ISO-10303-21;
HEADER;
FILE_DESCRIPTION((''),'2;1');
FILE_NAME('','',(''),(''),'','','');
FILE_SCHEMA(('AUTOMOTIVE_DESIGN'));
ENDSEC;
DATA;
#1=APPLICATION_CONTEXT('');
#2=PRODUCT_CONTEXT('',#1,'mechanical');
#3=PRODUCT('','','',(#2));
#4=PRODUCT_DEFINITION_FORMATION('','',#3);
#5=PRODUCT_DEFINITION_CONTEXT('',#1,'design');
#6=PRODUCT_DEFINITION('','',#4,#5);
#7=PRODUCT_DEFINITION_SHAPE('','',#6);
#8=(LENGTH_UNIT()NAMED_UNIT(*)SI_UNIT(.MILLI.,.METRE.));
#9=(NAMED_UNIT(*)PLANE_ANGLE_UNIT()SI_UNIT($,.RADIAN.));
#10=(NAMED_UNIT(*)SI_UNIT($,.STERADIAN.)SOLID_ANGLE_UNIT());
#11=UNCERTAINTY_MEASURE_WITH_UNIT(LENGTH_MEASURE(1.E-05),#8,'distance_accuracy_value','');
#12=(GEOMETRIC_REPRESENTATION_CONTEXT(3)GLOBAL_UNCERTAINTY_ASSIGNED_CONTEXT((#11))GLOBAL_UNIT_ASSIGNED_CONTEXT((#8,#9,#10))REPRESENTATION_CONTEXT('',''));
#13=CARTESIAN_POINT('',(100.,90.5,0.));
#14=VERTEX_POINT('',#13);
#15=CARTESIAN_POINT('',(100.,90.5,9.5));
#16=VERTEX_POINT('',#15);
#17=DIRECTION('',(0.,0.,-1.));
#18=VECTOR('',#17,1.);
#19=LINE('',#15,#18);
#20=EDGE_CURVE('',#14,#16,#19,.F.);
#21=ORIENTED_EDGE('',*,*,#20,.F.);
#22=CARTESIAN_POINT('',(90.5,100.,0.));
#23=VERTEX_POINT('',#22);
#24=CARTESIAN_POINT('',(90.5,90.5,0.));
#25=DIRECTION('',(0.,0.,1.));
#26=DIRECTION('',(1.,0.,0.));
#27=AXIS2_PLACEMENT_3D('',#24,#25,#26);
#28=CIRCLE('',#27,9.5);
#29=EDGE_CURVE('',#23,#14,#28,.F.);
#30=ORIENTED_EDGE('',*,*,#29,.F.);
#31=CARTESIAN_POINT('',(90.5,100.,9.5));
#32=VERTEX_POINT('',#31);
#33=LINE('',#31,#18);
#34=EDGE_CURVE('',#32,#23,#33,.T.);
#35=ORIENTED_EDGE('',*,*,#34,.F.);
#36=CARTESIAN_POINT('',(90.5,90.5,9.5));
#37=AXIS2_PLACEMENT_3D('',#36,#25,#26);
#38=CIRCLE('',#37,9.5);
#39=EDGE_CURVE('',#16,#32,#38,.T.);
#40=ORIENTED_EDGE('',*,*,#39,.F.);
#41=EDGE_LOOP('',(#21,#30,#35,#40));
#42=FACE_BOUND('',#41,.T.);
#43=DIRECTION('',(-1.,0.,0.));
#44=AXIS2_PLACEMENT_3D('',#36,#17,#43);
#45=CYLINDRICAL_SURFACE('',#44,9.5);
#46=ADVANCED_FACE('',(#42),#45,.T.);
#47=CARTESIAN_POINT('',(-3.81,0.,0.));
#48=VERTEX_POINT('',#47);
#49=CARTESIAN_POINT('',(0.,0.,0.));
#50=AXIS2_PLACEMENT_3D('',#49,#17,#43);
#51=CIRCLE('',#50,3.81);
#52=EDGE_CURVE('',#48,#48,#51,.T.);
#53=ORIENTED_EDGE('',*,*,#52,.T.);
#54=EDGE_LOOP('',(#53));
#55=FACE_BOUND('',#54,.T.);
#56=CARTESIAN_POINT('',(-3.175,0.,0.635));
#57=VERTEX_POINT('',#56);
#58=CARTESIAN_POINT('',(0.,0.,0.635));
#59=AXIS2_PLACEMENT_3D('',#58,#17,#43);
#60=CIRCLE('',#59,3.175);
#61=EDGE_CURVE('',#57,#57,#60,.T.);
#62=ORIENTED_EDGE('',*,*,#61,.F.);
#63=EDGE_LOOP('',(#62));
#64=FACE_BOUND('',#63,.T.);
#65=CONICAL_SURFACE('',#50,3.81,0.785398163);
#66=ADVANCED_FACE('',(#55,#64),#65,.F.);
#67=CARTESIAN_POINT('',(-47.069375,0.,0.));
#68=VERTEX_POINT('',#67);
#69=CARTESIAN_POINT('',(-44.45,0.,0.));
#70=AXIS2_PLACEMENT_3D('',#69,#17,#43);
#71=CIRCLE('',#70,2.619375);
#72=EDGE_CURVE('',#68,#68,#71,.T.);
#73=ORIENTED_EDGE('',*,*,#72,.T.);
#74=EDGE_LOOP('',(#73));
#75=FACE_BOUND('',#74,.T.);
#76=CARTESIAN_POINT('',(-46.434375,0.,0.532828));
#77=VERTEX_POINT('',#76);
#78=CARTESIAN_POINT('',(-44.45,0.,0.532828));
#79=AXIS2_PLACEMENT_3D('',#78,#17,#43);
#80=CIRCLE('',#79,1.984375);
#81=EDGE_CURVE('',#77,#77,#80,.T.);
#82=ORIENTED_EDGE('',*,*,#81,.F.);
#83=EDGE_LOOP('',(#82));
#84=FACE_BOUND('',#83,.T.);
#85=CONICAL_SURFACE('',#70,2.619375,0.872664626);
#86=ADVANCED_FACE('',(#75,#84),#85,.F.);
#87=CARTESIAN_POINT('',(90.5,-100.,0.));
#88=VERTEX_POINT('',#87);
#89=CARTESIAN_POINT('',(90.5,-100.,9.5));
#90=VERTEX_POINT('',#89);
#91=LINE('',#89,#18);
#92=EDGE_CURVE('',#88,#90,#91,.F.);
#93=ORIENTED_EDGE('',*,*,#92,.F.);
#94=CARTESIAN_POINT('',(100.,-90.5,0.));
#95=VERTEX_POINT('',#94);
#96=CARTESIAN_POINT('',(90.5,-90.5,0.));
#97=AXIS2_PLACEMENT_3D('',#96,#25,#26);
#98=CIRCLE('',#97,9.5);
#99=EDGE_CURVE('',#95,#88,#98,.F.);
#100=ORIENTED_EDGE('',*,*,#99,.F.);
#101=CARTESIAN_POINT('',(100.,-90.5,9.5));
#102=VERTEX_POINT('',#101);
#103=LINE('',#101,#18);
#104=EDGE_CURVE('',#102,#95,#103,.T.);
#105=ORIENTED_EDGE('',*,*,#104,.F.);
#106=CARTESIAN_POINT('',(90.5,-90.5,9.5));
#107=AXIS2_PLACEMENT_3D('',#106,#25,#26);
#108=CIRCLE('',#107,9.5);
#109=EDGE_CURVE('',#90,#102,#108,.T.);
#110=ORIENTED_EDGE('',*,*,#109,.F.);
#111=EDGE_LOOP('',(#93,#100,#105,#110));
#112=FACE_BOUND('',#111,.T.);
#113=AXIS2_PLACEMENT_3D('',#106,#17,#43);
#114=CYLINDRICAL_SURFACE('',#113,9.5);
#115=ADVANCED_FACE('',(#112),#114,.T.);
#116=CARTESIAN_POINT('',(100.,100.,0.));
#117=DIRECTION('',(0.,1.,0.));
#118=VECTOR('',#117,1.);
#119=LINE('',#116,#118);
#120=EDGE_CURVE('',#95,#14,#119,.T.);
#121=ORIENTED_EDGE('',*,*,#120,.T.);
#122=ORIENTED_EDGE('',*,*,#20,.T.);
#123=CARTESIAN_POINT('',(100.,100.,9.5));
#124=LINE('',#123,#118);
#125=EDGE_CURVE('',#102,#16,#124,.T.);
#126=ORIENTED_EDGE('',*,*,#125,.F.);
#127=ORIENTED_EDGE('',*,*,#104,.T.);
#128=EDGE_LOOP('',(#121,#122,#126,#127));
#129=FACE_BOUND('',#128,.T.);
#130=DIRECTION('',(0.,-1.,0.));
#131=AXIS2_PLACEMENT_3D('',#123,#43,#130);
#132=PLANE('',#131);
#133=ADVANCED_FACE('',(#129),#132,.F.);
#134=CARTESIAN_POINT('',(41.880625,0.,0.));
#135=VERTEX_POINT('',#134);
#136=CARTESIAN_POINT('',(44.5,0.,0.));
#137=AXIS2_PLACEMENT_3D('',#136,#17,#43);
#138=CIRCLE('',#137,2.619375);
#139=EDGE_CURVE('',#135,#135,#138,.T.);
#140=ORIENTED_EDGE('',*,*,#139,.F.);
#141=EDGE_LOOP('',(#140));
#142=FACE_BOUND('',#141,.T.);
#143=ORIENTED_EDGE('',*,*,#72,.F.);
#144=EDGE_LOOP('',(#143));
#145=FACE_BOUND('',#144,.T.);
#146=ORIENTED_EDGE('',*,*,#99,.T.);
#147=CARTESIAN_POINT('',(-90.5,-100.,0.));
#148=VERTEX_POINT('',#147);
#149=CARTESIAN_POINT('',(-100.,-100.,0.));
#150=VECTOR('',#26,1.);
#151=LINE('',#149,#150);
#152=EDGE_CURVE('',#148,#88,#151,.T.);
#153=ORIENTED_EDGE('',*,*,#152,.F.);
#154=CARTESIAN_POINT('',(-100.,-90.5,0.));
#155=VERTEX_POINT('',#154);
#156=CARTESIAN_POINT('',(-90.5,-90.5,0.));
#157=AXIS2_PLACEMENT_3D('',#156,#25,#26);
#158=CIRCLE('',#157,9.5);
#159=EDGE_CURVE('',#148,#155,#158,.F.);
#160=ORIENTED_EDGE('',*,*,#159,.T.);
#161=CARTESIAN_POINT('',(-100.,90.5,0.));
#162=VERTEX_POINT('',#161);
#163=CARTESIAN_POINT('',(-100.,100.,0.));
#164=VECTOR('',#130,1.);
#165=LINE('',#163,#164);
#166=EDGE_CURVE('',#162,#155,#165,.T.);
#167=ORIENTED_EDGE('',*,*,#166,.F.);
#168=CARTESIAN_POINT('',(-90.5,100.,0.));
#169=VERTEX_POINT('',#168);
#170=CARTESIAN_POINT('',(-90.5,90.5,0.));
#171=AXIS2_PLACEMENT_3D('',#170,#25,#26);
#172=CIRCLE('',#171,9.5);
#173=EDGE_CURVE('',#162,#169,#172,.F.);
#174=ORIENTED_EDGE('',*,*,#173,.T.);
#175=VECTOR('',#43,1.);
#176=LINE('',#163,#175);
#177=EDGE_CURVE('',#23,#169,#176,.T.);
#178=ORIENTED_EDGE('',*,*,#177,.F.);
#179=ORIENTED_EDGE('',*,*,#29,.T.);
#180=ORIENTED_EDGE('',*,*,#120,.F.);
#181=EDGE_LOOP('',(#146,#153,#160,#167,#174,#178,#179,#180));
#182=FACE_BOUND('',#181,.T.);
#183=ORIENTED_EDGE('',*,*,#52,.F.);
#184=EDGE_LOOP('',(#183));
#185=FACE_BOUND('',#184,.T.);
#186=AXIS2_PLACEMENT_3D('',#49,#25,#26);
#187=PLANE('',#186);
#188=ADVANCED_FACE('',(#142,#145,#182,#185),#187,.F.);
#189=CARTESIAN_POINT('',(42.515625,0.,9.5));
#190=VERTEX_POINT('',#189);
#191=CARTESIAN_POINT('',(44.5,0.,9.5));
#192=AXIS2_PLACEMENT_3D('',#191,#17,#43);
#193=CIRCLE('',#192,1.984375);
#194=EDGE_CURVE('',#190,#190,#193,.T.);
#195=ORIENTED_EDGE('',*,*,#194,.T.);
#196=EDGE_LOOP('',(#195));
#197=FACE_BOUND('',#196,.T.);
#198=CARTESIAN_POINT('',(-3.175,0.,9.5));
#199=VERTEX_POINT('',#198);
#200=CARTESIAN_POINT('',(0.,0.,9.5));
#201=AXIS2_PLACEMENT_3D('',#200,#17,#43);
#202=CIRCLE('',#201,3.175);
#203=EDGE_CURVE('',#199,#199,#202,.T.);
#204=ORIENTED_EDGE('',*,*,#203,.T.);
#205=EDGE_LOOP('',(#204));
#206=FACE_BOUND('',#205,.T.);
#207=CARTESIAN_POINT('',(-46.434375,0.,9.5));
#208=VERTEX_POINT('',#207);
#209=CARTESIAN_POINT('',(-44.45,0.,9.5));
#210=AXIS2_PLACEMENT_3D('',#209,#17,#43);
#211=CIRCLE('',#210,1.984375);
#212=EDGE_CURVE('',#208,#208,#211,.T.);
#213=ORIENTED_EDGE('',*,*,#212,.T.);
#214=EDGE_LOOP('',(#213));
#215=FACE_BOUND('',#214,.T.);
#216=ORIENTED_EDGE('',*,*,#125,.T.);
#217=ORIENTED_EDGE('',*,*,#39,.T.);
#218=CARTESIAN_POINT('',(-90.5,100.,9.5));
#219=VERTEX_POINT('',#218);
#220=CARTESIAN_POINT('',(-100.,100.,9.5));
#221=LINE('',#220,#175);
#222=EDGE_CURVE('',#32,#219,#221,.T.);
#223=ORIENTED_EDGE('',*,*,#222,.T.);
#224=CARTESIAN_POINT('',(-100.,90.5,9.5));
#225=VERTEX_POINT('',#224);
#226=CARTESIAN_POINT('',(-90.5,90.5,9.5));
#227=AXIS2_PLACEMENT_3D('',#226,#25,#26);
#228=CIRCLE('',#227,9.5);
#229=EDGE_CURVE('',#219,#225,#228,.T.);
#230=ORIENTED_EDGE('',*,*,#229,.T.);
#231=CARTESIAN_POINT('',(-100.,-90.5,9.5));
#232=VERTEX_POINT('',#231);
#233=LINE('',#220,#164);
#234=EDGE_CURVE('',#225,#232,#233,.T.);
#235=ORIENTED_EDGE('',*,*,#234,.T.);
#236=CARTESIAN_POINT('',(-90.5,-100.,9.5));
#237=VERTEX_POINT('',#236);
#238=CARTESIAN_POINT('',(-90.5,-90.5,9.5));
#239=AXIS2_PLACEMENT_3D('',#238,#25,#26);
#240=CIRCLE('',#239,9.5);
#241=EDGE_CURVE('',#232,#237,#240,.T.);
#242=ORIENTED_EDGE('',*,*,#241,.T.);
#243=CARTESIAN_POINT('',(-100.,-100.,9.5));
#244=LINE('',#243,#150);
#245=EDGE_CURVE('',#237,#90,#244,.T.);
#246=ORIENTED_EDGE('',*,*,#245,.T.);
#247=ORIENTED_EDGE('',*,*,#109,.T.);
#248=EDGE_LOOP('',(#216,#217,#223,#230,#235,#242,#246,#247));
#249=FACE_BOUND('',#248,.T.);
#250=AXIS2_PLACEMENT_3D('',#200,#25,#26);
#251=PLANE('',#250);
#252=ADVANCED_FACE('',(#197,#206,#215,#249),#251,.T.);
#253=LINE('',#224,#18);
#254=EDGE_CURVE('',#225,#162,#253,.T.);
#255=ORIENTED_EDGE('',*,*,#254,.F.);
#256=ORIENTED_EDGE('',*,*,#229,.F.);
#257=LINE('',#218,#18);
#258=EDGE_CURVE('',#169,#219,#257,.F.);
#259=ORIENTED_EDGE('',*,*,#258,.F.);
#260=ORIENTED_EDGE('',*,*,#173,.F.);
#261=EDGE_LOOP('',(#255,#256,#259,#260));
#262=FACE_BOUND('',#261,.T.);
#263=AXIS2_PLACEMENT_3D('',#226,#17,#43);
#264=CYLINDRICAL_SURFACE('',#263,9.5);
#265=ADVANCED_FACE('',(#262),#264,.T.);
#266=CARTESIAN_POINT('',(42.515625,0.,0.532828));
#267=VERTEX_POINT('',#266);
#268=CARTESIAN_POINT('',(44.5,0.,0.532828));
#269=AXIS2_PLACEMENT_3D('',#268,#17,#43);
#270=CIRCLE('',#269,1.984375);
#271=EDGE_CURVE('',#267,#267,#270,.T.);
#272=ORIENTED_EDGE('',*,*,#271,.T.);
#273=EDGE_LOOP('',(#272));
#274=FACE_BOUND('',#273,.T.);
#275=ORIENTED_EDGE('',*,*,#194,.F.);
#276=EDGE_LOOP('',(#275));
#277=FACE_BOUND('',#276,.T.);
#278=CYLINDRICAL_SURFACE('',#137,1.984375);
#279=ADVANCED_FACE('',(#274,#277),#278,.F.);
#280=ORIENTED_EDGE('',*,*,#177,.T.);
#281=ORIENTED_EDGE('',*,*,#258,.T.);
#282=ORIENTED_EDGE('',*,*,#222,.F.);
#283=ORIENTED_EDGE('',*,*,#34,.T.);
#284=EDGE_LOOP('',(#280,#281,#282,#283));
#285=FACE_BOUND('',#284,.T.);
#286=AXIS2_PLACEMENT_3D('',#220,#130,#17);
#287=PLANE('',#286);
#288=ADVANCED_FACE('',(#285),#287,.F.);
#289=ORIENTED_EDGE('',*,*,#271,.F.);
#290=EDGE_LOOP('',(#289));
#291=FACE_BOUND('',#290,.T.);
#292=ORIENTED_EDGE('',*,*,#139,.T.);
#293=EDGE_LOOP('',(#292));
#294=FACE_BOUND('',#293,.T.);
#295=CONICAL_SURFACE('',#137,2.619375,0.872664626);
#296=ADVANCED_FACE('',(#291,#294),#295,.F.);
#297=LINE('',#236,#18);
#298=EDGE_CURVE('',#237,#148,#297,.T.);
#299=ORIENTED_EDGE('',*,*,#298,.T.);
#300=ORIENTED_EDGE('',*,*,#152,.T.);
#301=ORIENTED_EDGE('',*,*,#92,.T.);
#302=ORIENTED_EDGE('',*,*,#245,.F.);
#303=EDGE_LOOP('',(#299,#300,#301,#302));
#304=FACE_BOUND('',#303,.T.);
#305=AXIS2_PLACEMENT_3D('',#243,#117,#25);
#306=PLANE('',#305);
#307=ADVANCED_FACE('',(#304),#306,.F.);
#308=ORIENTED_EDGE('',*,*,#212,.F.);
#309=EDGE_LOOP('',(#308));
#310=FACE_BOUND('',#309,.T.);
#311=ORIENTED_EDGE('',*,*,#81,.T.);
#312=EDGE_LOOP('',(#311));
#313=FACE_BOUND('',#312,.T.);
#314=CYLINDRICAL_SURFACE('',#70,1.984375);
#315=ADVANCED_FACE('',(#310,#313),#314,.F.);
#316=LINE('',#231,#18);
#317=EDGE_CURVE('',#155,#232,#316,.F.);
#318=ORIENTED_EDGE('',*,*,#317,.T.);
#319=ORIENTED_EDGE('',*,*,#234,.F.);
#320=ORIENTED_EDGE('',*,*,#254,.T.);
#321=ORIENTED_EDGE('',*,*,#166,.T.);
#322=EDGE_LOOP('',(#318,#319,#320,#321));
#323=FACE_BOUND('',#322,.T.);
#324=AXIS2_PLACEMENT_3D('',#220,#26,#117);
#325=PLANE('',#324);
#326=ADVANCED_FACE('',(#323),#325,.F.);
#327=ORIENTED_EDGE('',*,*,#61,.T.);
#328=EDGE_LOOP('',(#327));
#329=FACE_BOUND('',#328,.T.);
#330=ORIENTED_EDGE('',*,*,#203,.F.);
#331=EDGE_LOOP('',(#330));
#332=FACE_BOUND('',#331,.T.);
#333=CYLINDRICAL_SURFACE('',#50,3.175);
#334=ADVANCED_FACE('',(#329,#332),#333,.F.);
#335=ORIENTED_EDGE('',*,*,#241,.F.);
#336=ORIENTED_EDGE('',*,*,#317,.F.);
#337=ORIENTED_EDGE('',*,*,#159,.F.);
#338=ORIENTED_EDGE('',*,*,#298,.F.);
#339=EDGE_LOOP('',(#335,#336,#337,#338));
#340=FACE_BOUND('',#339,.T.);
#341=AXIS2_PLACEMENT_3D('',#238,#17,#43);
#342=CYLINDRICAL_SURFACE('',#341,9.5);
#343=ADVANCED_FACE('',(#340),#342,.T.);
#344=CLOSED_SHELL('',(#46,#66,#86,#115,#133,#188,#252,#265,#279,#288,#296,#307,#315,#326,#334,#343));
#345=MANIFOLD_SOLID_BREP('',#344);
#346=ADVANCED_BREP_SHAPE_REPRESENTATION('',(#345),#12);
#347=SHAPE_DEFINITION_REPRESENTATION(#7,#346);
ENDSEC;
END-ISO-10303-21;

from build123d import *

# Parameters (mm, degrees)
BASEPLATE_W                      = 200
BASEPLATE_H                      = 200
BOSS_EXTRUDE1_DEPTH              = 9.5
FILLET1_R                        = 9.5
F_1_4_INCH_BOLT_HOLE_D           = 6.35
F_1_4_INCH_BOLT_HOLE_CSINK_D     = 7.62
F_1_4_INCH_BOLT_HOLE_CSINK_ANGLE = 90
F_5_32_DOWEL_HOLE_D              = 3.96875
F_5_32_DOWEL_HOLE_CSINK_D        = 5.23875
F_5_32_DOWEL_HOLE_CSINK_ANGLE    = 100


with BuildPart() as part:
    # Baseplate → Boss-Extrude1 (new body)
    with BuildSketch(Plane.XY):
        Rectangle(BASEPLATE_W, BASEPLATE_H)
    extrude(amount=BOSS_EXTRUDE1_DEPTH)

    # Fillet1
    fillet1_edges = [part.edges().sort_by_distance(p)[0] for p in [
        (100, -100, 4.75),
        (-100, -100, 4.75),
        (-100, 100, 4.75),
        (100, 100, 4.75),
    ]]
    fillet(fillet1_edges, radius=FILLET1_R)

    # 1/4 Inch Bolt Hole (through all)
    with Locations(Plane(origin=(0, 0, 0), x_dir=(-1, 0, 0), z_dir=(0, 0, -1))):
        with Locations((0, 0)):
            CounterSinkHole(F_1_4_INCH_BOLT_HOLE_D / 2, F_1_4_INCH_BOLT_HOLE_CSINK_D / 2, counter_sink_angle=F_1_4_INCH_BOLT_HOLE_CSINK_ANGLE)

    # 5/32 Dowel Hole (through all)
    with Locations(Plane(origin=(0, 0, 0), x_dir=(-1, 0, 0), z_dir=(0, 0, -1))):
        with Locations((-44.5, 0), (44.45, 0)):
            CounterSinkHole(F_5_32_DOWEL_HOLE_D / 2, F_5_32_DOWEL_HOLE_CSINK_D / 2, counter_sink_angle=F_5_32_DOWEL_HOLE_CSINK_ANGLE)


solid = part.part
